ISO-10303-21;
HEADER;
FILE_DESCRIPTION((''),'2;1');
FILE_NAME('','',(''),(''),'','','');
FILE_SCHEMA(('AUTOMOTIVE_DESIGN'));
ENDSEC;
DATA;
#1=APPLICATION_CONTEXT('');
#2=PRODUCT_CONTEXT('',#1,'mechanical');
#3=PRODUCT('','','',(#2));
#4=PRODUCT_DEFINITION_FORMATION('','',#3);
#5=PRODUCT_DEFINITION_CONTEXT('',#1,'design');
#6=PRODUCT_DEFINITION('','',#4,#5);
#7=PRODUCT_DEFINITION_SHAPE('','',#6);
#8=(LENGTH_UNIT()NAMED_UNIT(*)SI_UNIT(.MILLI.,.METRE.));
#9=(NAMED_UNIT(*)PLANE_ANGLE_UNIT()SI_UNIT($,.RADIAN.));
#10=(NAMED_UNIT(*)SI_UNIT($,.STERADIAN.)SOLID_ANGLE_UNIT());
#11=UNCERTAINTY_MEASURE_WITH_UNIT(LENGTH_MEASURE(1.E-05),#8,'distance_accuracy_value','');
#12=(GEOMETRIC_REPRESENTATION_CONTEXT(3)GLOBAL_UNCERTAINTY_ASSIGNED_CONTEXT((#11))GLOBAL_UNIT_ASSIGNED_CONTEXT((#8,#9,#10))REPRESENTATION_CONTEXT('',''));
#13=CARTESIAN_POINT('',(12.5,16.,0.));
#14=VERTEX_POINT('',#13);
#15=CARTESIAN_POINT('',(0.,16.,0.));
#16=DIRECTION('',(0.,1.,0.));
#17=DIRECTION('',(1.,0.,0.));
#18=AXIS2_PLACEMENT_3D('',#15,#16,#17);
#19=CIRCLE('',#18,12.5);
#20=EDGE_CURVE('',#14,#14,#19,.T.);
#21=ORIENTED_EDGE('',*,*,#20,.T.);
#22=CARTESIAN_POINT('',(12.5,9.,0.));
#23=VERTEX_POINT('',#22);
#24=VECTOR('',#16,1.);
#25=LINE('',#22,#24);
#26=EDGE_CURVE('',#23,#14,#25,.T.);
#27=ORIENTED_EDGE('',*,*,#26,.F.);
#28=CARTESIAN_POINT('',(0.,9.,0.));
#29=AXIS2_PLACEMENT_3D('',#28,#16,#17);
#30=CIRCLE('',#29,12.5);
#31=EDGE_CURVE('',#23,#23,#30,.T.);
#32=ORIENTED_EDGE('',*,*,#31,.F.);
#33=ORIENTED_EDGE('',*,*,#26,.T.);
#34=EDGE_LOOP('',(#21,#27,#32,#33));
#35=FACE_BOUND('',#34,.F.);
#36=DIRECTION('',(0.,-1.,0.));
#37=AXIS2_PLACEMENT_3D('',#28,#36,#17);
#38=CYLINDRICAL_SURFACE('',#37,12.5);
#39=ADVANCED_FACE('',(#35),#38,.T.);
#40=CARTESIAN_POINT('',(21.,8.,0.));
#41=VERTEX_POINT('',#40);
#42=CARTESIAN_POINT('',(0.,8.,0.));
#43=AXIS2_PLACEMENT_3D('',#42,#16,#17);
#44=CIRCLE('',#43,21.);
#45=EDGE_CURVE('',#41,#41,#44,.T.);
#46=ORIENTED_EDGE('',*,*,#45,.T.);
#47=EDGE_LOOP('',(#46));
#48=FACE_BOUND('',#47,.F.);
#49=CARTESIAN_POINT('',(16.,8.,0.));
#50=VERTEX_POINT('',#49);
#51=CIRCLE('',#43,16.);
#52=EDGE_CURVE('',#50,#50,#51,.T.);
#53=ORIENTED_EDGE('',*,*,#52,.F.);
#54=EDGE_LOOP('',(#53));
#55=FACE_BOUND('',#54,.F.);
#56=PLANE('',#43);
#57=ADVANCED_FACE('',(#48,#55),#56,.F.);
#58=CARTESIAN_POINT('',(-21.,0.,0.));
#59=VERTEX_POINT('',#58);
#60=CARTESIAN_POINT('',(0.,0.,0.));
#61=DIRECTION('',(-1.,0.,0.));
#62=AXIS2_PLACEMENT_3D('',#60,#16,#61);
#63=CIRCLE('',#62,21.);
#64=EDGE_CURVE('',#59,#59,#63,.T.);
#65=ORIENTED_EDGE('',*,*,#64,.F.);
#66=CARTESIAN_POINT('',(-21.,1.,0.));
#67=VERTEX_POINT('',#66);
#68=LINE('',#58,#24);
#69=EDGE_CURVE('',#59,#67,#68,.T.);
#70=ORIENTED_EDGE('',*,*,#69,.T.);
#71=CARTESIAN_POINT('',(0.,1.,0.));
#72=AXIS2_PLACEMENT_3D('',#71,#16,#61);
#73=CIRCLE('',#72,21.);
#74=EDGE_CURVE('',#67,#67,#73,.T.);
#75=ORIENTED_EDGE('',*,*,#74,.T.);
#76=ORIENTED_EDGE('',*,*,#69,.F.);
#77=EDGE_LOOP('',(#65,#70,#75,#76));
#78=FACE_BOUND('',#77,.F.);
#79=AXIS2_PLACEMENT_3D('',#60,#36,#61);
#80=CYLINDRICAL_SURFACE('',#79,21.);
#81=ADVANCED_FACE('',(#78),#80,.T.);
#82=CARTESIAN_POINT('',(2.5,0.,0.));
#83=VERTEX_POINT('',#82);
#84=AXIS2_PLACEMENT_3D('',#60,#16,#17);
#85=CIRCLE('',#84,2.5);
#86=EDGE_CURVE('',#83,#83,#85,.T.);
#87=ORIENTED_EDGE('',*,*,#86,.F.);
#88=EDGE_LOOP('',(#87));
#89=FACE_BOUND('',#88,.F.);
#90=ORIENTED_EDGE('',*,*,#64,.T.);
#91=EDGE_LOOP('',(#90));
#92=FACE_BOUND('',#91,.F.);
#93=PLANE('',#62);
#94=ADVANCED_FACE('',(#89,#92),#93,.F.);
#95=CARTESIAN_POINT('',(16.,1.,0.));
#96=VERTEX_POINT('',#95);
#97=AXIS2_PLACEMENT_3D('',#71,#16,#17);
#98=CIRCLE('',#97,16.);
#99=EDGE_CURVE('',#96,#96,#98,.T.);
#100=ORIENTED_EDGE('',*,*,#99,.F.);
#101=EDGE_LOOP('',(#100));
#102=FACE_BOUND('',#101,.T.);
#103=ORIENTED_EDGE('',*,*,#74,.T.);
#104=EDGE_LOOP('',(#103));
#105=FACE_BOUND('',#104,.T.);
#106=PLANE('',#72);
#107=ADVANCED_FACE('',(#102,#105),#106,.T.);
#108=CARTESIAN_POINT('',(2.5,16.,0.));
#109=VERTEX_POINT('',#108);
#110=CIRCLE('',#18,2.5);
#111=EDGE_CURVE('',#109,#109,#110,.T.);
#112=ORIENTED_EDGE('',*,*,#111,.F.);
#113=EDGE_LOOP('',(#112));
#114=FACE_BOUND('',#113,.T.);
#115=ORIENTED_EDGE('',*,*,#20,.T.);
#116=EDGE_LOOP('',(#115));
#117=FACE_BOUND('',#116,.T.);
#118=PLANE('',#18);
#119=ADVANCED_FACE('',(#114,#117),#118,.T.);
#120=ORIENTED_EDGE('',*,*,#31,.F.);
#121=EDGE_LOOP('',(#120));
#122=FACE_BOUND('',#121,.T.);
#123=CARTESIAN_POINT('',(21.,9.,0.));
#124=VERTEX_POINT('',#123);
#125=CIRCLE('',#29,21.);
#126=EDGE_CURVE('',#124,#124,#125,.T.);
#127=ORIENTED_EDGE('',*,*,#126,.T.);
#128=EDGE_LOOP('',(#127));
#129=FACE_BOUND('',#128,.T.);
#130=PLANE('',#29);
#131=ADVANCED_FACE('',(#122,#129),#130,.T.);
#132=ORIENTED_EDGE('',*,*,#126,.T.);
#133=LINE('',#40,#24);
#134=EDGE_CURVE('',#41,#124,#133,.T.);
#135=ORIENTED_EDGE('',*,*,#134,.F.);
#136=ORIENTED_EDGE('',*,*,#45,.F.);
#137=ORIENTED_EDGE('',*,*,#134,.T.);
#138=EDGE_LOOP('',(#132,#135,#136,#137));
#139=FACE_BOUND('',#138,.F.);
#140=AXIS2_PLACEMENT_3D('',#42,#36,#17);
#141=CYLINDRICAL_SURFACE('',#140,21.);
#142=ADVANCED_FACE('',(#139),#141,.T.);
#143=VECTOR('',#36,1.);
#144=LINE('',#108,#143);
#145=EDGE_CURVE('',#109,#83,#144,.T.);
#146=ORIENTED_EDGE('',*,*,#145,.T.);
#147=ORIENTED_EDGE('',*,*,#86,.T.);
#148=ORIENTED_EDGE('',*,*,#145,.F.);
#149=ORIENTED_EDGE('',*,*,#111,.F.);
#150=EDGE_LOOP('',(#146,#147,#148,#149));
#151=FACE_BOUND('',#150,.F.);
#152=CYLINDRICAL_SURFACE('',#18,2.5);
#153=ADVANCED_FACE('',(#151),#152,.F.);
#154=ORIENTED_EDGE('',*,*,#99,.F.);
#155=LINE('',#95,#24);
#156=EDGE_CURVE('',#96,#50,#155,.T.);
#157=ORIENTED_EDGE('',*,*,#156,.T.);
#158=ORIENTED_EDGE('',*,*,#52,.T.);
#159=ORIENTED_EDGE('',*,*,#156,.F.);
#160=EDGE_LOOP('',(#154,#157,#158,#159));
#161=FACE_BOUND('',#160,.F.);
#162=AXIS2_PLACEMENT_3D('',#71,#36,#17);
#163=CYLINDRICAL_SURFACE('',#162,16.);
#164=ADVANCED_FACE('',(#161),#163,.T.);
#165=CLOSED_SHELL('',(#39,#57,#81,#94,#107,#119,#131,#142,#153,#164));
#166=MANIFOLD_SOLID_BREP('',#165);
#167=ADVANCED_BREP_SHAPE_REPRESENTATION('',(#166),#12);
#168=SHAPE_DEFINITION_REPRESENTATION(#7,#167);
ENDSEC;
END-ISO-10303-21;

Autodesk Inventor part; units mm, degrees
ref_plane "YZ Plane" through (0, 0, 0) normal (1, 0, 0) x (0, 1, 0)
ref_plane "XZ Plane" through (0, 0, 0) normal (0, 1, 0) x (-1, 0, 0)
ref_plane "XY Plane" through (0, 0, 0) normal (0, 0, 1) x (1, 0, 0)
sketch "Sketch1" plane through (0, 0, 0) normal (0, 1, 0) x (-1, 0, 0)
  circle A0 centre (0, 0) radius 21
  dimension "d0" = 42
extrude "Extrusion1" add sketch "Sketch1" along normal blind 1
sketch "Sketch2" plane through (0, 1, 0) normal (0, 1, 0) x (1, 0, 0)
  circle A0 centre (0, 0) radius 16
  dimension "d3" = 32
extrude "Extrusion2" add sketch "Sketch2" along normal blind 7
sketch "Sketch3" plane through (0, 8, 0) normal (0, 1, 0) x (1, 0, 0)
  circle A0 centre (0, 0) radius 21
extrude "Extrusion3" add sketch "Sketch3" along normal blind 1
sketch "Sketch4" plane through (0, 9, 0) normal (0, 1, 0) x (1, 0, 0)
  circle A0 centre (0, 0) radius 12.5
  dimension "d8" = 25
extrude "Extrusion4" add sketch "Sketch4" along normal blind 7
sketch "Sketch5" plane through (0, 16, 0) normal (0, 1, 0) x (1, 0, 0)
  circle A0 centre (0, 0) radius 2.5
  dimension "d11" = 5
extrude "Extrusion5" cut sketch "Sketch5" against normal through all
properties part number "GT2 60T"
